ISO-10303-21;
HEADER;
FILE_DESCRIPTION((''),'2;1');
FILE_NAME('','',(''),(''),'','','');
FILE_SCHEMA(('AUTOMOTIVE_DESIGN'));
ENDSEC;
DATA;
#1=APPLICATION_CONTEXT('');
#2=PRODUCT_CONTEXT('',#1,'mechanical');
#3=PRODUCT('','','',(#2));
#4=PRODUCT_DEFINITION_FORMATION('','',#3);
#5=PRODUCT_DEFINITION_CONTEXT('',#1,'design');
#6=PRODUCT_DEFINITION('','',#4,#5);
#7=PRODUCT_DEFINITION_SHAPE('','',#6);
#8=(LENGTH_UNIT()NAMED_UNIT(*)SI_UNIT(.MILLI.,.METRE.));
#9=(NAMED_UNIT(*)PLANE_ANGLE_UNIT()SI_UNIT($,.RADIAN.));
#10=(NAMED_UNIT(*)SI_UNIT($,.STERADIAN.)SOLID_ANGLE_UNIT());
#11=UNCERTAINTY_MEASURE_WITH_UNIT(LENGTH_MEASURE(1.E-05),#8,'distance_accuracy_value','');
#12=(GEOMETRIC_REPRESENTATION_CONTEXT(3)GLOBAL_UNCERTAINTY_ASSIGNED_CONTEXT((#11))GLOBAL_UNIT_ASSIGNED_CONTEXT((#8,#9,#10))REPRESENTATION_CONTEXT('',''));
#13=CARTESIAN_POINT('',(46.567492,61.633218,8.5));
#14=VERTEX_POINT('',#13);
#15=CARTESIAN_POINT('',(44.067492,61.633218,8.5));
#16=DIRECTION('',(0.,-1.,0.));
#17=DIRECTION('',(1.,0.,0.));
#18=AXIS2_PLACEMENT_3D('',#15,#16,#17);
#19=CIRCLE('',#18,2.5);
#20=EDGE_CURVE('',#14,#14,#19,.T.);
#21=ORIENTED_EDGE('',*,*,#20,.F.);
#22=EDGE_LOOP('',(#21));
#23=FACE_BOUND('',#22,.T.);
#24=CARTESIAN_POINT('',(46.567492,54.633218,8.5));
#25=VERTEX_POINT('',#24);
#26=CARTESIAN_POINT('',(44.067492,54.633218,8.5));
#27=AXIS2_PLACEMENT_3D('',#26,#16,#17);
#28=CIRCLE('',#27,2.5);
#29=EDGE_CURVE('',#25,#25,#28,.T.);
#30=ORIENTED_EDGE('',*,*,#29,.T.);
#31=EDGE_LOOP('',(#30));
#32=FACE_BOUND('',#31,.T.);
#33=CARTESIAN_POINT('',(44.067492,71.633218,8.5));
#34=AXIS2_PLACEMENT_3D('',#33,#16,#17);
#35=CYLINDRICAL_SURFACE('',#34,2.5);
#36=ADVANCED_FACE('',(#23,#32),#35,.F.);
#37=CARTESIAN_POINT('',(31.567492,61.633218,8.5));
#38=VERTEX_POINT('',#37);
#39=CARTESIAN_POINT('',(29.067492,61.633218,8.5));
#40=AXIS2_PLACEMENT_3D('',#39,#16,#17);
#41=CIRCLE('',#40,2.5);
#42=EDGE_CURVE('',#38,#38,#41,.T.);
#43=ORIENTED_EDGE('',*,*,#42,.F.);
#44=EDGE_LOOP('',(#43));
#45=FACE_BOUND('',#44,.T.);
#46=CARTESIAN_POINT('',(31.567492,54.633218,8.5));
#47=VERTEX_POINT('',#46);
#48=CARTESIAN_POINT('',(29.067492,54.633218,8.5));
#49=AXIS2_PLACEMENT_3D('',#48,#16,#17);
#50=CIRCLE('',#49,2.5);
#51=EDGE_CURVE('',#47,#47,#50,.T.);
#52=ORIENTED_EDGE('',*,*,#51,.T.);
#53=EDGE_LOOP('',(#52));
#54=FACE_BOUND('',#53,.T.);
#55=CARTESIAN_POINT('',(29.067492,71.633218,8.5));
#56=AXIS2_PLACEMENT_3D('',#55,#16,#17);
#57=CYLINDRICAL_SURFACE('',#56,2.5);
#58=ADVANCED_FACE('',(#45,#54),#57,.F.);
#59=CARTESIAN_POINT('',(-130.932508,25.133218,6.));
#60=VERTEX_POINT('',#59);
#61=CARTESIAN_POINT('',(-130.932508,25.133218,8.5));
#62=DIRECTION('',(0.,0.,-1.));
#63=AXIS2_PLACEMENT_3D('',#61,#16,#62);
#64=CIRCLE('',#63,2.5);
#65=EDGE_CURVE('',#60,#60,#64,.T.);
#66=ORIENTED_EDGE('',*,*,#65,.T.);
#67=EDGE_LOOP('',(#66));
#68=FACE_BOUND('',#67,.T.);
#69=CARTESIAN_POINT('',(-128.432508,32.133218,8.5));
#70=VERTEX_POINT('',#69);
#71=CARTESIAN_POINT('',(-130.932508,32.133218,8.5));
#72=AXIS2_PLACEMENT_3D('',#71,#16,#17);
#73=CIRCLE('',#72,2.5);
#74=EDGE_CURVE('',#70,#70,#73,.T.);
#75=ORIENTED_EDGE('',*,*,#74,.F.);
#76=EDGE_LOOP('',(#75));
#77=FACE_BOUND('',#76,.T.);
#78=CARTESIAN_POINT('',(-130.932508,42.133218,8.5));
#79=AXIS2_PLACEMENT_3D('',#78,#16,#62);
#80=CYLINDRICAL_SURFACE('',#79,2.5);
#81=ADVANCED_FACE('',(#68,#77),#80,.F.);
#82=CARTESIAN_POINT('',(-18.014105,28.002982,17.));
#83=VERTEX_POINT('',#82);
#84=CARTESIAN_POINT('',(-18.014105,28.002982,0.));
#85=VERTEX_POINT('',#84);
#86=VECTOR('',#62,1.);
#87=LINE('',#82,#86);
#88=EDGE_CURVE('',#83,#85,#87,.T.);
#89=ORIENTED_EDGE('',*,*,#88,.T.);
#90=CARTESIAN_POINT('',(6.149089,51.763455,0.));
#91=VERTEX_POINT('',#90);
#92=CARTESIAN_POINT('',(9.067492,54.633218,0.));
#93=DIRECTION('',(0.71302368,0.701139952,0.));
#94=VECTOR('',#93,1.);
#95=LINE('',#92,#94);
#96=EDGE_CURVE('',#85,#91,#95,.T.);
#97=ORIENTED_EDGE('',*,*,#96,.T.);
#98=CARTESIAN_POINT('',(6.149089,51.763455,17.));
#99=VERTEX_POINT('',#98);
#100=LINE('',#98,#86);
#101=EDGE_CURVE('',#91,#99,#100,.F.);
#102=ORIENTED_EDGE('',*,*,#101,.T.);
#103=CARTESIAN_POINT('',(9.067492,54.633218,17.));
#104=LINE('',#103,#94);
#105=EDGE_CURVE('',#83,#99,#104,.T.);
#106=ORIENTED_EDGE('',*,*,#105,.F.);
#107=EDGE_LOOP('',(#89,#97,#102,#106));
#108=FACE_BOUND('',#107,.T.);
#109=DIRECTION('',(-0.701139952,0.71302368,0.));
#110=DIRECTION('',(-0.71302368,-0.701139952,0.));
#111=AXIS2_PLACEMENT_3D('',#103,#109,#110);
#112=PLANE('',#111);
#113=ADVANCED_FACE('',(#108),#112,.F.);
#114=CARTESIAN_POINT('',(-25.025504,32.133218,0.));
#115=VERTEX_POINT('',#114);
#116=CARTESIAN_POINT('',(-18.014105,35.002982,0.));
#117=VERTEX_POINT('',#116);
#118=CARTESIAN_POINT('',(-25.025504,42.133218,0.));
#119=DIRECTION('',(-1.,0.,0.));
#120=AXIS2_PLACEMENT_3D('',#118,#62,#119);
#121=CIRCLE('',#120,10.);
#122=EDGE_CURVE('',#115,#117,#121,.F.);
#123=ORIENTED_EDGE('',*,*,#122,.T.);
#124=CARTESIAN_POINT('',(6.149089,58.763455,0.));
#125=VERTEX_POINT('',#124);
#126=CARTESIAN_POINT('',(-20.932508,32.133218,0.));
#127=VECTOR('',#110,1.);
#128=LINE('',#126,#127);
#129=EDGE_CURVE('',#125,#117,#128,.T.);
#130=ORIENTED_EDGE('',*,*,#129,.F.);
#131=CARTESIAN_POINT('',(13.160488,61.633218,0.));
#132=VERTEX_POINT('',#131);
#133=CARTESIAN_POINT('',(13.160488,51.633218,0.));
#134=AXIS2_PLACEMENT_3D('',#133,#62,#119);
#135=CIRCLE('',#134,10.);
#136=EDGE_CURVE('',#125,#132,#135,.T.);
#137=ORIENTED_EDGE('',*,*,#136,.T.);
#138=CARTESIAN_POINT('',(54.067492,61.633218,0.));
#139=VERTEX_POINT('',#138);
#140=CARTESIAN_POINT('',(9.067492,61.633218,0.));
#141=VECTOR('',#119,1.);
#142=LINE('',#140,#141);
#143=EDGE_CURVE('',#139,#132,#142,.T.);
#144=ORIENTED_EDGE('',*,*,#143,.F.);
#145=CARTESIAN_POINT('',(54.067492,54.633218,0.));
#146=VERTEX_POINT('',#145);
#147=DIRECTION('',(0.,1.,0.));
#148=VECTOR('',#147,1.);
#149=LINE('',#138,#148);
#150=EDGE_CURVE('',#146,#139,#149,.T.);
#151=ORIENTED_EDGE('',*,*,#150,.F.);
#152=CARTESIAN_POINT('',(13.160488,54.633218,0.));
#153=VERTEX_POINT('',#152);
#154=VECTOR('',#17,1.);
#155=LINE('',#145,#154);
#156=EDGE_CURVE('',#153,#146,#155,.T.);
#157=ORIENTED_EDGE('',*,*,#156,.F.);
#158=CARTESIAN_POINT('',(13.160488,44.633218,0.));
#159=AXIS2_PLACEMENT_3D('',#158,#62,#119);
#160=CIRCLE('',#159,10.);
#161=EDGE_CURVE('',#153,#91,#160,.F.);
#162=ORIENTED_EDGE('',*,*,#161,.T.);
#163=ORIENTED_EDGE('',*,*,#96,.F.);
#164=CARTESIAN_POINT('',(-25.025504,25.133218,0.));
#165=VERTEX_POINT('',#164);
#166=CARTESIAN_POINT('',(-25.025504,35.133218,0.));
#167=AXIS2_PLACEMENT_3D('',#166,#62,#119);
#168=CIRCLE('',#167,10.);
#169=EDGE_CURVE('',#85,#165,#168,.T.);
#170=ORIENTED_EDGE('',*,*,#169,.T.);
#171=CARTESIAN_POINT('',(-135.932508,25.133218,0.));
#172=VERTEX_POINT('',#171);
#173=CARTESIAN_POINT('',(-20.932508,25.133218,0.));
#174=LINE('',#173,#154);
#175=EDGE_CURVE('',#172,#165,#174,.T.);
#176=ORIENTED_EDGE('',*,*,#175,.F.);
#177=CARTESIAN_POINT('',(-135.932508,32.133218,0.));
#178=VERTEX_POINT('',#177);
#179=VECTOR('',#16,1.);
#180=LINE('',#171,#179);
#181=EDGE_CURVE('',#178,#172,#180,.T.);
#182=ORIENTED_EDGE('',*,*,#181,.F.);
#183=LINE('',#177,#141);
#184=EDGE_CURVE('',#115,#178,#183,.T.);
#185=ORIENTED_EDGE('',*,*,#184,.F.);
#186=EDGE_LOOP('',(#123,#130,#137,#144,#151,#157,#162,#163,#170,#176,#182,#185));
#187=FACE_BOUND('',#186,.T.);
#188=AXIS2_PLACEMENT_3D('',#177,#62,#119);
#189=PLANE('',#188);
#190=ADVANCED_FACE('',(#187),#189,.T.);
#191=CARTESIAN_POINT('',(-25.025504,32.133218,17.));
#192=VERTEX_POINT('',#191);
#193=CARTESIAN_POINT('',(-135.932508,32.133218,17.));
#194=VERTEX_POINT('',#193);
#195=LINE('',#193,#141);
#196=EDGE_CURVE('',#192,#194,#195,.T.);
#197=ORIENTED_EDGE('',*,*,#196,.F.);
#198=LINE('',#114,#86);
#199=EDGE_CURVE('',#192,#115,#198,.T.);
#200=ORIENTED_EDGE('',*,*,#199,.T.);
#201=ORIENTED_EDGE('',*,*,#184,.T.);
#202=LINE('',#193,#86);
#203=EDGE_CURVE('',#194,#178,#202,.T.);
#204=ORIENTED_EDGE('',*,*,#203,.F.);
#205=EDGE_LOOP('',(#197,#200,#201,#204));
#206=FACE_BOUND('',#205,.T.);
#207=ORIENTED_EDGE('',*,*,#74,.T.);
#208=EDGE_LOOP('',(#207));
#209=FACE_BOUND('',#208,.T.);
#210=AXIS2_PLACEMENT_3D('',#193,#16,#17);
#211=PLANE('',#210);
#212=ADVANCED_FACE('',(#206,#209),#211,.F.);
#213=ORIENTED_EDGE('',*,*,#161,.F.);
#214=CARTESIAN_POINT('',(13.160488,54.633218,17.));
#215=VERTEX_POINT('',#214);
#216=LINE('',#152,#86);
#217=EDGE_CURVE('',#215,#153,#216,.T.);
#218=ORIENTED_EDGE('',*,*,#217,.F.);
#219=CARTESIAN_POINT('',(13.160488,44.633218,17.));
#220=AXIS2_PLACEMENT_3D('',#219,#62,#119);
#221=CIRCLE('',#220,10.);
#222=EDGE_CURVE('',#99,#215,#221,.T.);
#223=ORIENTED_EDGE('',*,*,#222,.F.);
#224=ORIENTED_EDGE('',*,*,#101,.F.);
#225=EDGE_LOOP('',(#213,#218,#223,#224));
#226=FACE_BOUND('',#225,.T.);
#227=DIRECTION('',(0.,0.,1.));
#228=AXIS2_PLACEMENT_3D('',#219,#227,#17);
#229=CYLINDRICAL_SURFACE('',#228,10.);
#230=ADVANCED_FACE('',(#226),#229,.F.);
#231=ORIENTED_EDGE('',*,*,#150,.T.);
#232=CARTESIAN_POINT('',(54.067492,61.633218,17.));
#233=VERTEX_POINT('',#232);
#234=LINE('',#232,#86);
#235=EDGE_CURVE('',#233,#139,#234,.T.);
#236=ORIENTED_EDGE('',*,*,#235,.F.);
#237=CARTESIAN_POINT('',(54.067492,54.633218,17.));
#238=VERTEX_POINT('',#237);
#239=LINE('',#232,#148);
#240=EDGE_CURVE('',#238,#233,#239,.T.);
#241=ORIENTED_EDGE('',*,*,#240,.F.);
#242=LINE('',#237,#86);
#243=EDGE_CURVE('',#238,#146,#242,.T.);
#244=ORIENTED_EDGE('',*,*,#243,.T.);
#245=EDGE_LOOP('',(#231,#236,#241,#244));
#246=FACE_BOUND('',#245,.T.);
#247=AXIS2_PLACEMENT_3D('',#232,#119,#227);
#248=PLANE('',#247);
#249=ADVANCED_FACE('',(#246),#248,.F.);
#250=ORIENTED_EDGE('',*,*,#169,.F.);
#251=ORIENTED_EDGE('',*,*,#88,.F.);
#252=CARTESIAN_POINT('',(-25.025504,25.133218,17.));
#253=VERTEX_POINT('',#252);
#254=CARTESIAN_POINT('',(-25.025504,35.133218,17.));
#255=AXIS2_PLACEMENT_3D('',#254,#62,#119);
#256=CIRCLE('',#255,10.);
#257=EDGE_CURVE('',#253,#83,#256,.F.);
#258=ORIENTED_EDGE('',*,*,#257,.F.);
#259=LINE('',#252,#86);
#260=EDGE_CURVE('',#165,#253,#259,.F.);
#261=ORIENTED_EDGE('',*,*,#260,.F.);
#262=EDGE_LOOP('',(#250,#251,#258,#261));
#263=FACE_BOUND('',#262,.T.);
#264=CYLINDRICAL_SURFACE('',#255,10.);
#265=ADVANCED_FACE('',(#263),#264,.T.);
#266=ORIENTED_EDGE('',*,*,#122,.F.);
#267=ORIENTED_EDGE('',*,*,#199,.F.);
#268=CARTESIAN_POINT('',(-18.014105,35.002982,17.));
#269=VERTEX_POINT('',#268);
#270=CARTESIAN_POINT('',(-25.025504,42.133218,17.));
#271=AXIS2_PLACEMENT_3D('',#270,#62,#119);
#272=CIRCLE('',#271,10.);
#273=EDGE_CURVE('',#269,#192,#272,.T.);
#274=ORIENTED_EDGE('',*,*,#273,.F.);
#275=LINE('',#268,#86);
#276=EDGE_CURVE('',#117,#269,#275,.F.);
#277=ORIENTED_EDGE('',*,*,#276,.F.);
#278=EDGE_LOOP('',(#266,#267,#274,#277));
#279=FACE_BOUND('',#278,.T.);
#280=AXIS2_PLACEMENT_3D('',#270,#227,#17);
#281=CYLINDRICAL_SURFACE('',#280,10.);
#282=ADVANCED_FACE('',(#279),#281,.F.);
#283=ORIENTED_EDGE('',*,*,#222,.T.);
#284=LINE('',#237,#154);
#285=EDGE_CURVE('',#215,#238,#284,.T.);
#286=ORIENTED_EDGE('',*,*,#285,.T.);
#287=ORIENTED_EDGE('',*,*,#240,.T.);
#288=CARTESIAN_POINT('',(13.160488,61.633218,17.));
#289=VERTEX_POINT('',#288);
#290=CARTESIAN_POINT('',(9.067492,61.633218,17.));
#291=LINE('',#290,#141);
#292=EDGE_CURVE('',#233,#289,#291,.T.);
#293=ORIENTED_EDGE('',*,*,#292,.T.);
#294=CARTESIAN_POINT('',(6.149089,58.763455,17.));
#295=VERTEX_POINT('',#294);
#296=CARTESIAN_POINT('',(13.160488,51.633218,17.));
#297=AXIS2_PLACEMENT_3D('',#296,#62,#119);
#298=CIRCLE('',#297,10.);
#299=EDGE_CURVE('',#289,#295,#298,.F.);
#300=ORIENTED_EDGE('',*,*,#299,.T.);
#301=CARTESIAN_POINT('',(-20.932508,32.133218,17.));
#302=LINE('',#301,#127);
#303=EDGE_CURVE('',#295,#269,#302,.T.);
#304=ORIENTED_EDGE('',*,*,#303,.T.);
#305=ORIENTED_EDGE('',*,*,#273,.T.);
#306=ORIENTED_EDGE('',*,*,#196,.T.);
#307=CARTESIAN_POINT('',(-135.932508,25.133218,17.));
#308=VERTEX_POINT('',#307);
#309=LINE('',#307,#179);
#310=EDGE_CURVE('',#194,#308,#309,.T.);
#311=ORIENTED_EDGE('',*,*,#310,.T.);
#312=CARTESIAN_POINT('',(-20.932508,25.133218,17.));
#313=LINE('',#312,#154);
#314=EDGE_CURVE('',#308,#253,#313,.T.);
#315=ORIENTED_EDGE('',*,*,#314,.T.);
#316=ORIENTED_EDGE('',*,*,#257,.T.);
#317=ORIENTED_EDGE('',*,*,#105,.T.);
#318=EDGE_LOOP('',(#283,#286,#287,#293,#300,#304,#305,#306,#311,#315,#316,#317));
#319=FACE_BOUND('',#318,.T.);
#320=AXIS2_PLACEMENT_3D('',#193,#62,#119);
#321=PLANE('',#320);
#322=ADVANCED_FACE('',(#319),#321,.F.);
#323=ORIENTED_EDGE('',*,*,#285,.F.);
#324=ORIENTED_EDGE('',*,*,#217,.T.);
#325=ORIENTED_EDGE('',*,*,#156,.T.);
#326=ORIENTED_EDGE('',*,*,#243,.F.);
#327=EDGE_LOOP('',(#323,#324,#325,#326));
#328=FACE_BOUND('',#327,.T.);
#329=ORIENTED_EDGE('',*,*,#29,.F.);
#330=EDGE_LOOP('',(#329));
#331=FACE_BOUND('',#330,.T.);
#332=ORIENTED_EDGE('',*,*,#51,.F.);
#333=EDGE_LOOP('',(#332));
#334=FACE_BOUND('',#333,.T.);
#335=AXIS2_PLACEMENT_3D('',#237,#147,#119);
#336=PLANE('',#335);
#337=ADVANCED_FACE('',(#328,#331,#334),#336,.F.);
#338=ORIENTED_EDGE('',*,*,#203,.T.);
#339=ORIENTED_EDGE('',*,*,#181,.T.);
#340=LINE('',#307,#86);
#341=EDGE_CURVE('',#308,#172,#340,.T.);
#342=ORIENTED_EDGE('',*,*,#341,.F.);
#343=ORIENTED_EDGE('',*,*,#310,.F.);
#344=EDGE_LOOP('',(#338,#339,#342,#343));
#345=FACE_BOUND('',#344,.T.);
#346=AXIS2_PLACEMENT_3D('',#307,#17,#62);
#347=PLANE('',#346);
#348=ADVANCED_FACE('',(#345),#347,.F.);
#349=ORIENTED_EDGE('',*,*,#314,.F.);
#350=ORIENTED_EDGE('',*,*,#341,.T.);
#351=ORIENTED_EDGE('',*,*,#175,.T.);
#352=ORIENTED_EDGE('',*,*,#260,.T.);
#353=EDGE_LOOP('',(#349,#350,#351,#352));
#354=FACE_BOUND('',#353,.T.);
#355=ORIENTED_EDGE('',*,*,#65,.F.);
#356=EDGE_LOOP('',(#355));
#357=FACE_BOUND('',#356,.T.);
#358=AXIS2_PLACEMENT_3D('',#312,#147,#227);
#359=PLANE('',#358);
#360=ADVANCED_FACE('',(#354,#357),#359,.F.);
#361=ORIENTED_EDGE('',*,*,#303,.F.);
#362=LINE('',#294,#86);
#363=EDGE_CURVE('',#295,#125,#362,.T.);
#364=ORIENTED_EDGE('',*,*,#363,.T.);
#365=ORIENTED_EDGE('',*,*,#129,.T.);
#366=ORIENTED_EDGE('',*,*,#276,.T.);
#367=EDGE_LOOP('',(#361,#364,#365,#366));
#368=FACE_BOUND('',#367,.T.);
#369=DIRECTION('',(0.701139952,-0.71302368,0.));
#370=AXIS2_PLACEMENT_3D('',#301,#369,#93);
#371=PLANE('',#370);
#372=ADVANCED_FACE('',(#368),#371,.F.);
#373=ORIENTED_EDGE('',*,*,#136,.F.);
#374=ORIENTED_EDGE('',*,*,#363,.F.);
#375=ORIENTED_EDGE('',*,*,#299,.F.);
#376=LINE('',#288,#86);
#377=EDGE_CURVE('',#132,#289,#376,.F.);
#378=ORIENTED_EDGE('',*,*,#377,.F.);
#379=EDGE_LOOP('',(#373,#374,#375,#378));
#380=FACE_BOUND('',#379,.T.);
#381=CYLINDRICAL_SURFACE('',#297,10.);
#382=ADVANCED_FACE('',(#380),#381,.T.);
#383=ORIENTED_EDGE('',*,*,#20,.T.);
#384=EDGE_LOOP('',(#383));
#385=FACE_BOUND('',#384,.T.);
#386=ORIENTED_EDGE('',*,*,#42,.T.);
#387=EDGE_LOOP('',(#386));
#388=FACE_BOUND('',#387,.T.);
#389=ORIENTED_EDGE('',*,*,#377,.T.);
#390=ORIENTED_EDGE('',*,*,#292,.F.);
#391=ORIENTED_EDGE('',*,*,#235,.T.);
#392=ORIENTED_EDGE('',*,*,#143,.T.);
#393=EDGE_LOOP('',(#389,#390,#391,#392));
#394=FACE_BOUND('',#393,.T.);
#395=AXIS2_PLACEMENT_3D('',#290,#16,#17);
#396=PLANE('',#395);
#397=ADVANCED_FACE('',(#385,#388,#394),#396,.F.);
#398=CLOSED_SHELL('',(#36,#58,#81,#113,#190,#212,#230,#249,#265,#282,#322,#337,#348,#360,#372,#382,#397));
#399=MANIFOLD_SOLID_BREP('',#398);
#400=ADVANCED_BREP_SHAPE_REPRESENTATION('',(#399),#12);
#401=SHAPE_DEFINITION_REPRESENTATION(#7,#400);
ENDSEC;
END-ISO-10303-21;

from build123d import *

# Parameters (mm, degrees)
EXTRUDE1_DEPTH = 17
FILLET1_R      = 10
SKETCH2_R      = 2.5
EXTRUDE2_DEPTH = 17
SKETCH3_R      = 2.5
EXTRUDE3_DEPTH = 17


with BuildPart() as part:
    # Sketch1 → Extrude1 (new body)
    with BuildSketch(Plane.XY):
        Polygon((-135.932508131, 32.133218497), (-20.932508131, 32.133218497), (9.067491869, 61.633218497), (54.067491869, 61.633218497), (54.067491869, 54.633218497), (9.067491869, 54.633218497), (-20.932508131, 25.133218497), (-135.932508131, 25.133218497), align=None)
    extrude(amount=EXTRUDE1_DEPTH)

    # Fillet1
    fillet1_edges = [part.edges().sort_by_distance(p)[0] for p in [
        (-20.932508131, 32.133218497, 8.5),
        (9.067491869, 61.633218497, 8.5),
        (9.067491869, 54.633218497, 8.5),
        (-20.932508131, 25.133218497, 8.5),
    ]]
    fillet(fillet1_edges, radius=FILLET1_R)

    # Sketch2 → Extrude2 (cut)
    with BuildSketch(Plane.XZ.offset(-54.633218497)):
        with Locations((44.067491869, 8.5)):
            Circle(SKETCH2_R)
        with Locations((29.067491869, 8.5)):
            Circle(SKETCH2_R)
    extrude(amount=-EXTRUDE2_DEPTH, mode=Mode.SUBTRACT)

    # Sketch3 → Extrude3 (cut)
    with BuildSketch(Plane.XZ.offset(-25.133218497)):
        with Locations((-130.932508131, 8.5)):
            Circle(SKETCH3_R)
    extrude(amount=-EXTRUDE3_DEPTH, mode=Mode.SUBTRACT)


solid = part.part
